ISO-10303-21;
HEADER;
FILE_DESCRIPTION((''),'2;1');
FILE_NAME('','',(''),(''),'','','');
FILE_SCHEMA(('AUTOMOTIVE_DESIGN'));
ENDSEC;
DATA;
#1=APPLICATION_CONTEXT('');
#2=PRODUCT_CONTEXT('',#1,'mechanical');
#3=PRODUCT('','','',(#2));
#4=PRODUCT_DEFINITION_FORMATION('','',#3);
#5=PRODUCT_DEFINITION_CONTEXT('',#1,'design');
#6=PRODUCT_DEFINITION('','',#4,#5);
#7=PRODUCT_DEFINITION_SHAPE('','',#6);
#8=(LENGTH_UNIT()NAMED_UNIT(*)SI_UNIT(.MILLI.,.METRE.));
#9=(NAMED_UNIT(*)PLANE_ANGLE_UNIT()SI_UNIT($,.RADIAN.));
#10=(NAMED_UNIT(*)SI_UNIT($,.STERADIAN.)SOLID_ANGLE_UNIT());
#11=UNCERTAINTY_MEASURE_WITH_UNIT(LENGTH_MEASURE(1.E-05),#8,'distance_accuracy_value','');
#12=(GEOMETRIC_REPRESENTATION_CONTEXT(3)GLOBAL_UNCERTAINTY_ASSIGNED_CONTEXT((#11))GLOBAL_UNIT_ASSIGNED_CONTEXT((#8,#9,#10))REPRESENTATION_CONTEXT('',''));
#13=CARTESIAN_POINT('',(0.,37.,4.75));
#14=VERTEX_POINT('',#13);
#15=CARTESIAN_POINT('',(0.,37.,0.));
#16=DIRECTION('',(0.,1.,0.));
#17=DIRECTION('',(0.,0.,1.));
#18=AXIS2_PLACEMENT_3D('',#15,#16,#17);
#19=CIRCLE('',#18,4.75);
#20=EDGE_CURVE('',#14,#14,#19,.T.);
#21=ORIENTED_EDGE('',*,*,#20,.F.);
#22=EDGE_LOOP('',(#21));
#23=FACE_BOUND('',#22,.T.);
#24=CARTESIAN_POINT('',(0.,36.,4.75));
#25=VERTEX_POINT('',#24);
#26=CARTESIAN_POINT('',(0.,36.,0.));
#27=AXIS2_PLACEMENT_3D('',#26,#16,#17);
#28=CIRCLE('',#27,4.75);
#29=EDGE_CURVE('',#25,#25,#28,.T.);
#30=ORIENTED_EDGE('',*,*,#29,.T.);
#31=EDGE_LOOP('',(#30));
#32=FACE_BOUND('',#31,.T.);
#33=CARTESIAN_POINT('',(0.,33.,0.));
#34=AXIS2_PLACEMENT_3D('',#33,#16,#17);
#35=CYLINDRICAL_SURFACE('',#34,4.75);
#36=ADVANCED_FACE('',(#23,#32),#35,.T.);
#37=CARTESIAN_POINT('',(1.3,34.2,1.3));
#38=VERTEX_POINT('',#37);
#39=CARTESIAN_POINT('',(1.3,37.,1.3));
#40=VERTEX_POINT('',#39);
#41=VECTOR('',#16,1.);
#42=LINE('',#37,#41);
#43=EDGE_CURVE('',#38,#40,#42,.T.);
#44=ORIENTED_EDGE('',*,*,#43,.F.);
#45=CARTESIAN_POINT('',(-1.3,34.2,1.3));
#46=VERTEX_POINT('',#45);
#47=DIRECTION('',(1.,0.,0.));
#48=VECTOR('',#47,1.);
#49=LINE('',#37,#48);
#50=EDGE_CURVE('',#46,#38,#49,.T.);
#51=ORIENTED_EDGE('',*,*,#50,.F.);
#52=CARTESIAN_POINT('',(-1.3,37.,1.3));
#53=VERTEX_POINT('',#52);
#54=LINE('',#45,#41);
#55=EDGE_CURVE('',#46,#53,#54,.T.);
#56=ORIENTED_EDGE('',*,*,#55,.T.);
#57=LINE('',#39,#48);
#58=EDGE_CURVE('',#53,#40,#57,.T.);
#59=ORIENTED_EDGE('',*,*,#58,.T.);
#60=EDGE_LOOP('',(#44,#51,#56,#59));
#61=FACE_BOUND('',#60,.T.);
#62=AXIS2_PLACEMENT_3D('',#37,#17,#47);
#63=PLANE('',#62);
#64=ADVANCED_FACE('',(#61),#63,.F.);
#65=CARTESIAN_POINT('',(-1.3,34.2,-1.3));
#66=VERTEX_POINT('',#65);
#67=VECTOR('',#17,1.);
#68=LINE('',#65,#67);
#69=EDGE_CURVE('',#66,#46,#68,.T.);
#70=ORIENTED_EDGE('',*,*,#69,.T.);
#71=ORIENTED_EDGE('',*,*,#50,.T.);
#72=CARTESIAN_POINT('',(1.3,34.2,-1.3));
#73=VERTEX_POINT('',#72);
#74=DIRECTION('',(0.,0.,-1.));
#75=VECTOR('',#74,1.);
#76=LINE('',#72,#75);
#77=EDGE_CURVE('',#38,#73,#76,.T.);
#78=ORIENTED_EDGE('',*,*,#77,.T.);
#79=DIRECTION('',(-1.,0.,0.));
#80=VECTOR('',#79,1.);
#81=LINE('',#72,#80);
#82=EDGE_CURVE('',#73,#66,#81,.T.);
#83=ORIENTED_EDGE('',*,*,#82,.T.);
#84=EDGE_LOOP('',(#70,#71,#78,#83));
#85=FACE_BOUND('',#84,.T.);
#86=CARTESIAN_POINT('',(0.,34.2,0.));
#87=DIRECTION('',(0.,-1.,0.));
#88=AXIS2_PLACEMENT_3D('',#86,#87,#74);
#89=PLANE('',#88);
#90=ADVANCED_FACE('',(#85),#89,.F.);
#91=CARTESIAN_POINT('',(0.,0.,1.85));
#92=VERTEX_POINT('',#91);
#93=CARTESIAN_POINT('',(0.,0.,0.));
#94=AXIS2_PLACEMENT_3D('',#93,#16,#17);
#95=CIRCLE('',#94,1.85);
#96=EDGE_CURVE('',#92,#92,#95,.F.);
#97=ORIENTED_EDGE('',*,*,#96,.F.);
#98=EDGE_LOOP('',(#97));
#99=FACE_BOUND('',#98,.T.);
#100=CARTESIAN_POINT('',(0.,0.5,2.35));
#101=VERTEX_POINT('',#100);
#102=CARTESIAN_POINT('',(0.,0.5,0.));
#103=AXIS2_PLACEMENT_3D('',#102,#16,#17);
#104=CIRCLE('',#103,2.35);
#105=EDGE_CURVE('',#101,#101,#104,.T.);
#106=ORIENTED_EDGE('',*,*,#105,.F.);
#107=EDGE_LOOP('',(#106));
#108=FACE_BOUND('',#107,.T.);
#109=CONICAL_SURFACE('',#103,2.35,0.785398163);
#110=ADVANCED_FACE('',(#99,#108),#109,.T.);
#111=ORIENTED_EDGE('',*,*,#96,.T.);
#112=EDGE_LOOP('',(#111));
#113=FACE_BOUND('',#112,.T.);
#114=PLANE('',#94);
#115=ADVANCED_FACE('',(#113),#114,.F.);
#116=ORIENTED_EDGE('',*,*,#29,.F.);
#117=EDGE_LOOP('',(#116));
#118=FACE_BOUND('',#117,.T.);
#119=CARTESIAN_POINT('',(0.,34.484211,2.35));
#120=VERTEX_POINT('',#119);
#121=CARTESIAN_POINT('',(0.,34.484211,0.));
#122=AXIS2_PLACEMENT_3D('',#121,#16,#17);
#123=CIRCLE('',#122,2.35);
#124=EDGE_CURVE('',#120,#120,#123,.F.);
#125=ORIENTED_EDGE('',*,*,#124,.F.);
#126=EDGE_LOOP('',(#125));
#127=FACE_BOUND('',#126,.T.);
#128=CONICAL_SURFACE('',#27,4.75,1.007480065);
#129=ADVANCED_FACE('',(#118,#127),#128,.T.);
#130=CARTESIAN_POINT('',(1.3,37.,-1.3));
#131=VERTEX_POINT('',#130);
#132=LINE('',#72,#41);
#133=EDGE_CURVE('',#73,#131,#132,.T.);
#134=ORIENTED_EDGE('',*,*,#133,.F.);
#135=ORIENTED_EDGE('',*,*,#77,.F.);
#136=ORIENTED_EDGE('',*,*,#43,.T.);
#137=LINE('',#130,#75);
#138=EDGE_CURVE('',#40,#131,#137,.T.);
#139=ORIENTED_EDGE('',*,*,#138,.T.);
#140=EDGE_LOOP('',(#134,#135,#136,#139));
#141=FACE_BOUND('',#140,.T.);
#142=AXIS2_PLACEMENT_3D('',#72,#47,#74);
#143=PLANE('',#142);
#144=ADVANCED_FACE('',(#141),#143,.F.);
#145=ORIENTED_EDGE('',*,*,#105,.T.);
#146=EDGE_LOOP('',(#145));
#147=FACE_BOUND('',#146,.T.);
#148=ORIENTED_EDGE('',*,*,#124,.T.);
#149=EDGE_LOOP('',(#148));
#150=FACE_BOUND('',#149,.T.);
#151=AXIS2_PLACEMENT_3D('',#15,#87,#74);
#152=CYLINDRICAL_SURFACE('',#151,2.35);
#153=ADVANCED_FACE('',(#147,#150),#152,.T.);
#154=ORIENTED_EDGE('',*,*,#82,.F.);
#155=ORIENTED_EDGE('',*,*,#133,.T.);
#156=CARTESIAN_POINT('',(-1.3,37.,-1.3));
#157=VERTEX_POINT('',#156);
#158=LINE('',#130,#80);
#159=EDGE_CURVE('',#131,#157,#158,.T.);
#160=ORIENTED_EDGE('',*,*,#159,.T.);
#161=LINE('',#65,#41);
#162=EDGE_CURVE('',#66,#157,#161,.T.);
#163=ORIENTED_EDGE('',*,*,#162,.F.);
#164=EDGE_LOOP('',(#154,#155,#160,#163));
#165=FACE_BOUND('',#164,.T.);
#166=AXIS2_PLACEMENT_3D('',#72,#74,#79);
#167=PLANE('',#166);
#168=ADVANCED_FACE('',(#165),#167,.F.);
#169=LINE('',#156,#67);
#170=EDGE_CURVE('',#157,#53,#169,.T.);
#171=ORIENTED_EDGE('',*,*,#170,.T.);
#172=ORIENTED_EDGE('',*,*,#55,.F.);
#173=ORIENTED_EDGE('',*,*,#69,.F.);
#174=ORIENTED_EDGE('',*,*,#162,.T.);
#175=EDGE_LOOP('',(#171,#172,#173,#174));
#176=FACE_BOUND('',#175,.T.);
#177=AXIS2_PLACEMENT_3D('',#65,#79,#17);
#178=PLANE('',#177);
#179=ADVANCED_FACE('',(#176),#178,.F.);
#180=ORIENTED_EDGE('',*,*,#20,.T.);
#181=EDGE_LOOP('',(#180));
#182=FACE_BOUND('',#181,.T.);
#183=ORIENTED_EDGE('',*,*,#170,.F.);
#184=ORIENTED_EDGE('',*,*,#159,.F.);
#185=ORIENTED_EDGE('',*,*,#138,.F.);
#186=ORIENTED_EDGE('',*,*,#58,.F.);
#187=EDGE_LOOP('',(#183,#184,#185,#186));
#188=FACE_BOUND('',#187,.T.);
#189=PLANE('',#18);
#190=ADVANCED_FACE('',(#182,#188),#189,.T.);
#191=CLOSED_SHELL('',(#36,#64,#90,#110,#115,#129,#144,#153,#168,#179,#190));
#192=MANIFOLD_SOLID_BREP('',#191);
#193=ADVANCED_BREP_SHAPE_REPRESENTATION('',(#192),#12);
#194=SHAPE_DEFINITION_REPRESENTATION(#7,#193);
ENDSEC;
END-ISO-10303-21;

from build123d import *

# Parameters (mm, degrees)
SKETCH1_R           = 2.35
BOSS_EXTRUDE1_DEPTH = 37
CHAMFER1_SIZE       = 0.5
SKETCH3_W           = 2.6
SKETCH3_H           = 2.6
CUT_EXTRUDE1_DEPTH  = 2.8


with BuildPart() as part:
    # Sketch1 → Boss-Extrude1 (new body)
    with BuildSketch(Plane(origin=(0, 0, 0), x_dir=(1, 0, 0), z_dir=(0, 1, 0))):
        Circle(SKETCH1_R)
    extrude(amount=BOSS_EXTRUDE1_DEPTH)

    # Sketch2 → Revolve1 (revolve)
    with BuildSketch(Plane(origin=(0, 0, 0), x_dir=(0, 0, -1), z_dir=(1, 0, 0))):
        Polygon((0, 37), (-4.75, 37), (-4.75, 36), (0, 33), align=None)
    revolve(axis=Axis((0, 33, 0), (0, -1, 0)))

    # Chamfer1
    chamfer1_edges = [part.edges().sort_by_distance(p)[0] for p in [
        (-2.35, 0, 0),
    ]]
    chamfer(chamfer1_edges, length=CHAMFER1_SIZE)

    # Sketch3 → Cut-Extrude1 (cut)
    with BuildSketch(Plane(origin=(0, 37, 0), x_dir=(1, 0, 0), z_dir=(0, 1, 0))):
        Rectangle(SKETCH3_W, SKETCH3_H)
    extrude(amount=-CUT_EXTRUDE1_DEPTH, mode=Mode.SUBTRACT)


solid = part.part
